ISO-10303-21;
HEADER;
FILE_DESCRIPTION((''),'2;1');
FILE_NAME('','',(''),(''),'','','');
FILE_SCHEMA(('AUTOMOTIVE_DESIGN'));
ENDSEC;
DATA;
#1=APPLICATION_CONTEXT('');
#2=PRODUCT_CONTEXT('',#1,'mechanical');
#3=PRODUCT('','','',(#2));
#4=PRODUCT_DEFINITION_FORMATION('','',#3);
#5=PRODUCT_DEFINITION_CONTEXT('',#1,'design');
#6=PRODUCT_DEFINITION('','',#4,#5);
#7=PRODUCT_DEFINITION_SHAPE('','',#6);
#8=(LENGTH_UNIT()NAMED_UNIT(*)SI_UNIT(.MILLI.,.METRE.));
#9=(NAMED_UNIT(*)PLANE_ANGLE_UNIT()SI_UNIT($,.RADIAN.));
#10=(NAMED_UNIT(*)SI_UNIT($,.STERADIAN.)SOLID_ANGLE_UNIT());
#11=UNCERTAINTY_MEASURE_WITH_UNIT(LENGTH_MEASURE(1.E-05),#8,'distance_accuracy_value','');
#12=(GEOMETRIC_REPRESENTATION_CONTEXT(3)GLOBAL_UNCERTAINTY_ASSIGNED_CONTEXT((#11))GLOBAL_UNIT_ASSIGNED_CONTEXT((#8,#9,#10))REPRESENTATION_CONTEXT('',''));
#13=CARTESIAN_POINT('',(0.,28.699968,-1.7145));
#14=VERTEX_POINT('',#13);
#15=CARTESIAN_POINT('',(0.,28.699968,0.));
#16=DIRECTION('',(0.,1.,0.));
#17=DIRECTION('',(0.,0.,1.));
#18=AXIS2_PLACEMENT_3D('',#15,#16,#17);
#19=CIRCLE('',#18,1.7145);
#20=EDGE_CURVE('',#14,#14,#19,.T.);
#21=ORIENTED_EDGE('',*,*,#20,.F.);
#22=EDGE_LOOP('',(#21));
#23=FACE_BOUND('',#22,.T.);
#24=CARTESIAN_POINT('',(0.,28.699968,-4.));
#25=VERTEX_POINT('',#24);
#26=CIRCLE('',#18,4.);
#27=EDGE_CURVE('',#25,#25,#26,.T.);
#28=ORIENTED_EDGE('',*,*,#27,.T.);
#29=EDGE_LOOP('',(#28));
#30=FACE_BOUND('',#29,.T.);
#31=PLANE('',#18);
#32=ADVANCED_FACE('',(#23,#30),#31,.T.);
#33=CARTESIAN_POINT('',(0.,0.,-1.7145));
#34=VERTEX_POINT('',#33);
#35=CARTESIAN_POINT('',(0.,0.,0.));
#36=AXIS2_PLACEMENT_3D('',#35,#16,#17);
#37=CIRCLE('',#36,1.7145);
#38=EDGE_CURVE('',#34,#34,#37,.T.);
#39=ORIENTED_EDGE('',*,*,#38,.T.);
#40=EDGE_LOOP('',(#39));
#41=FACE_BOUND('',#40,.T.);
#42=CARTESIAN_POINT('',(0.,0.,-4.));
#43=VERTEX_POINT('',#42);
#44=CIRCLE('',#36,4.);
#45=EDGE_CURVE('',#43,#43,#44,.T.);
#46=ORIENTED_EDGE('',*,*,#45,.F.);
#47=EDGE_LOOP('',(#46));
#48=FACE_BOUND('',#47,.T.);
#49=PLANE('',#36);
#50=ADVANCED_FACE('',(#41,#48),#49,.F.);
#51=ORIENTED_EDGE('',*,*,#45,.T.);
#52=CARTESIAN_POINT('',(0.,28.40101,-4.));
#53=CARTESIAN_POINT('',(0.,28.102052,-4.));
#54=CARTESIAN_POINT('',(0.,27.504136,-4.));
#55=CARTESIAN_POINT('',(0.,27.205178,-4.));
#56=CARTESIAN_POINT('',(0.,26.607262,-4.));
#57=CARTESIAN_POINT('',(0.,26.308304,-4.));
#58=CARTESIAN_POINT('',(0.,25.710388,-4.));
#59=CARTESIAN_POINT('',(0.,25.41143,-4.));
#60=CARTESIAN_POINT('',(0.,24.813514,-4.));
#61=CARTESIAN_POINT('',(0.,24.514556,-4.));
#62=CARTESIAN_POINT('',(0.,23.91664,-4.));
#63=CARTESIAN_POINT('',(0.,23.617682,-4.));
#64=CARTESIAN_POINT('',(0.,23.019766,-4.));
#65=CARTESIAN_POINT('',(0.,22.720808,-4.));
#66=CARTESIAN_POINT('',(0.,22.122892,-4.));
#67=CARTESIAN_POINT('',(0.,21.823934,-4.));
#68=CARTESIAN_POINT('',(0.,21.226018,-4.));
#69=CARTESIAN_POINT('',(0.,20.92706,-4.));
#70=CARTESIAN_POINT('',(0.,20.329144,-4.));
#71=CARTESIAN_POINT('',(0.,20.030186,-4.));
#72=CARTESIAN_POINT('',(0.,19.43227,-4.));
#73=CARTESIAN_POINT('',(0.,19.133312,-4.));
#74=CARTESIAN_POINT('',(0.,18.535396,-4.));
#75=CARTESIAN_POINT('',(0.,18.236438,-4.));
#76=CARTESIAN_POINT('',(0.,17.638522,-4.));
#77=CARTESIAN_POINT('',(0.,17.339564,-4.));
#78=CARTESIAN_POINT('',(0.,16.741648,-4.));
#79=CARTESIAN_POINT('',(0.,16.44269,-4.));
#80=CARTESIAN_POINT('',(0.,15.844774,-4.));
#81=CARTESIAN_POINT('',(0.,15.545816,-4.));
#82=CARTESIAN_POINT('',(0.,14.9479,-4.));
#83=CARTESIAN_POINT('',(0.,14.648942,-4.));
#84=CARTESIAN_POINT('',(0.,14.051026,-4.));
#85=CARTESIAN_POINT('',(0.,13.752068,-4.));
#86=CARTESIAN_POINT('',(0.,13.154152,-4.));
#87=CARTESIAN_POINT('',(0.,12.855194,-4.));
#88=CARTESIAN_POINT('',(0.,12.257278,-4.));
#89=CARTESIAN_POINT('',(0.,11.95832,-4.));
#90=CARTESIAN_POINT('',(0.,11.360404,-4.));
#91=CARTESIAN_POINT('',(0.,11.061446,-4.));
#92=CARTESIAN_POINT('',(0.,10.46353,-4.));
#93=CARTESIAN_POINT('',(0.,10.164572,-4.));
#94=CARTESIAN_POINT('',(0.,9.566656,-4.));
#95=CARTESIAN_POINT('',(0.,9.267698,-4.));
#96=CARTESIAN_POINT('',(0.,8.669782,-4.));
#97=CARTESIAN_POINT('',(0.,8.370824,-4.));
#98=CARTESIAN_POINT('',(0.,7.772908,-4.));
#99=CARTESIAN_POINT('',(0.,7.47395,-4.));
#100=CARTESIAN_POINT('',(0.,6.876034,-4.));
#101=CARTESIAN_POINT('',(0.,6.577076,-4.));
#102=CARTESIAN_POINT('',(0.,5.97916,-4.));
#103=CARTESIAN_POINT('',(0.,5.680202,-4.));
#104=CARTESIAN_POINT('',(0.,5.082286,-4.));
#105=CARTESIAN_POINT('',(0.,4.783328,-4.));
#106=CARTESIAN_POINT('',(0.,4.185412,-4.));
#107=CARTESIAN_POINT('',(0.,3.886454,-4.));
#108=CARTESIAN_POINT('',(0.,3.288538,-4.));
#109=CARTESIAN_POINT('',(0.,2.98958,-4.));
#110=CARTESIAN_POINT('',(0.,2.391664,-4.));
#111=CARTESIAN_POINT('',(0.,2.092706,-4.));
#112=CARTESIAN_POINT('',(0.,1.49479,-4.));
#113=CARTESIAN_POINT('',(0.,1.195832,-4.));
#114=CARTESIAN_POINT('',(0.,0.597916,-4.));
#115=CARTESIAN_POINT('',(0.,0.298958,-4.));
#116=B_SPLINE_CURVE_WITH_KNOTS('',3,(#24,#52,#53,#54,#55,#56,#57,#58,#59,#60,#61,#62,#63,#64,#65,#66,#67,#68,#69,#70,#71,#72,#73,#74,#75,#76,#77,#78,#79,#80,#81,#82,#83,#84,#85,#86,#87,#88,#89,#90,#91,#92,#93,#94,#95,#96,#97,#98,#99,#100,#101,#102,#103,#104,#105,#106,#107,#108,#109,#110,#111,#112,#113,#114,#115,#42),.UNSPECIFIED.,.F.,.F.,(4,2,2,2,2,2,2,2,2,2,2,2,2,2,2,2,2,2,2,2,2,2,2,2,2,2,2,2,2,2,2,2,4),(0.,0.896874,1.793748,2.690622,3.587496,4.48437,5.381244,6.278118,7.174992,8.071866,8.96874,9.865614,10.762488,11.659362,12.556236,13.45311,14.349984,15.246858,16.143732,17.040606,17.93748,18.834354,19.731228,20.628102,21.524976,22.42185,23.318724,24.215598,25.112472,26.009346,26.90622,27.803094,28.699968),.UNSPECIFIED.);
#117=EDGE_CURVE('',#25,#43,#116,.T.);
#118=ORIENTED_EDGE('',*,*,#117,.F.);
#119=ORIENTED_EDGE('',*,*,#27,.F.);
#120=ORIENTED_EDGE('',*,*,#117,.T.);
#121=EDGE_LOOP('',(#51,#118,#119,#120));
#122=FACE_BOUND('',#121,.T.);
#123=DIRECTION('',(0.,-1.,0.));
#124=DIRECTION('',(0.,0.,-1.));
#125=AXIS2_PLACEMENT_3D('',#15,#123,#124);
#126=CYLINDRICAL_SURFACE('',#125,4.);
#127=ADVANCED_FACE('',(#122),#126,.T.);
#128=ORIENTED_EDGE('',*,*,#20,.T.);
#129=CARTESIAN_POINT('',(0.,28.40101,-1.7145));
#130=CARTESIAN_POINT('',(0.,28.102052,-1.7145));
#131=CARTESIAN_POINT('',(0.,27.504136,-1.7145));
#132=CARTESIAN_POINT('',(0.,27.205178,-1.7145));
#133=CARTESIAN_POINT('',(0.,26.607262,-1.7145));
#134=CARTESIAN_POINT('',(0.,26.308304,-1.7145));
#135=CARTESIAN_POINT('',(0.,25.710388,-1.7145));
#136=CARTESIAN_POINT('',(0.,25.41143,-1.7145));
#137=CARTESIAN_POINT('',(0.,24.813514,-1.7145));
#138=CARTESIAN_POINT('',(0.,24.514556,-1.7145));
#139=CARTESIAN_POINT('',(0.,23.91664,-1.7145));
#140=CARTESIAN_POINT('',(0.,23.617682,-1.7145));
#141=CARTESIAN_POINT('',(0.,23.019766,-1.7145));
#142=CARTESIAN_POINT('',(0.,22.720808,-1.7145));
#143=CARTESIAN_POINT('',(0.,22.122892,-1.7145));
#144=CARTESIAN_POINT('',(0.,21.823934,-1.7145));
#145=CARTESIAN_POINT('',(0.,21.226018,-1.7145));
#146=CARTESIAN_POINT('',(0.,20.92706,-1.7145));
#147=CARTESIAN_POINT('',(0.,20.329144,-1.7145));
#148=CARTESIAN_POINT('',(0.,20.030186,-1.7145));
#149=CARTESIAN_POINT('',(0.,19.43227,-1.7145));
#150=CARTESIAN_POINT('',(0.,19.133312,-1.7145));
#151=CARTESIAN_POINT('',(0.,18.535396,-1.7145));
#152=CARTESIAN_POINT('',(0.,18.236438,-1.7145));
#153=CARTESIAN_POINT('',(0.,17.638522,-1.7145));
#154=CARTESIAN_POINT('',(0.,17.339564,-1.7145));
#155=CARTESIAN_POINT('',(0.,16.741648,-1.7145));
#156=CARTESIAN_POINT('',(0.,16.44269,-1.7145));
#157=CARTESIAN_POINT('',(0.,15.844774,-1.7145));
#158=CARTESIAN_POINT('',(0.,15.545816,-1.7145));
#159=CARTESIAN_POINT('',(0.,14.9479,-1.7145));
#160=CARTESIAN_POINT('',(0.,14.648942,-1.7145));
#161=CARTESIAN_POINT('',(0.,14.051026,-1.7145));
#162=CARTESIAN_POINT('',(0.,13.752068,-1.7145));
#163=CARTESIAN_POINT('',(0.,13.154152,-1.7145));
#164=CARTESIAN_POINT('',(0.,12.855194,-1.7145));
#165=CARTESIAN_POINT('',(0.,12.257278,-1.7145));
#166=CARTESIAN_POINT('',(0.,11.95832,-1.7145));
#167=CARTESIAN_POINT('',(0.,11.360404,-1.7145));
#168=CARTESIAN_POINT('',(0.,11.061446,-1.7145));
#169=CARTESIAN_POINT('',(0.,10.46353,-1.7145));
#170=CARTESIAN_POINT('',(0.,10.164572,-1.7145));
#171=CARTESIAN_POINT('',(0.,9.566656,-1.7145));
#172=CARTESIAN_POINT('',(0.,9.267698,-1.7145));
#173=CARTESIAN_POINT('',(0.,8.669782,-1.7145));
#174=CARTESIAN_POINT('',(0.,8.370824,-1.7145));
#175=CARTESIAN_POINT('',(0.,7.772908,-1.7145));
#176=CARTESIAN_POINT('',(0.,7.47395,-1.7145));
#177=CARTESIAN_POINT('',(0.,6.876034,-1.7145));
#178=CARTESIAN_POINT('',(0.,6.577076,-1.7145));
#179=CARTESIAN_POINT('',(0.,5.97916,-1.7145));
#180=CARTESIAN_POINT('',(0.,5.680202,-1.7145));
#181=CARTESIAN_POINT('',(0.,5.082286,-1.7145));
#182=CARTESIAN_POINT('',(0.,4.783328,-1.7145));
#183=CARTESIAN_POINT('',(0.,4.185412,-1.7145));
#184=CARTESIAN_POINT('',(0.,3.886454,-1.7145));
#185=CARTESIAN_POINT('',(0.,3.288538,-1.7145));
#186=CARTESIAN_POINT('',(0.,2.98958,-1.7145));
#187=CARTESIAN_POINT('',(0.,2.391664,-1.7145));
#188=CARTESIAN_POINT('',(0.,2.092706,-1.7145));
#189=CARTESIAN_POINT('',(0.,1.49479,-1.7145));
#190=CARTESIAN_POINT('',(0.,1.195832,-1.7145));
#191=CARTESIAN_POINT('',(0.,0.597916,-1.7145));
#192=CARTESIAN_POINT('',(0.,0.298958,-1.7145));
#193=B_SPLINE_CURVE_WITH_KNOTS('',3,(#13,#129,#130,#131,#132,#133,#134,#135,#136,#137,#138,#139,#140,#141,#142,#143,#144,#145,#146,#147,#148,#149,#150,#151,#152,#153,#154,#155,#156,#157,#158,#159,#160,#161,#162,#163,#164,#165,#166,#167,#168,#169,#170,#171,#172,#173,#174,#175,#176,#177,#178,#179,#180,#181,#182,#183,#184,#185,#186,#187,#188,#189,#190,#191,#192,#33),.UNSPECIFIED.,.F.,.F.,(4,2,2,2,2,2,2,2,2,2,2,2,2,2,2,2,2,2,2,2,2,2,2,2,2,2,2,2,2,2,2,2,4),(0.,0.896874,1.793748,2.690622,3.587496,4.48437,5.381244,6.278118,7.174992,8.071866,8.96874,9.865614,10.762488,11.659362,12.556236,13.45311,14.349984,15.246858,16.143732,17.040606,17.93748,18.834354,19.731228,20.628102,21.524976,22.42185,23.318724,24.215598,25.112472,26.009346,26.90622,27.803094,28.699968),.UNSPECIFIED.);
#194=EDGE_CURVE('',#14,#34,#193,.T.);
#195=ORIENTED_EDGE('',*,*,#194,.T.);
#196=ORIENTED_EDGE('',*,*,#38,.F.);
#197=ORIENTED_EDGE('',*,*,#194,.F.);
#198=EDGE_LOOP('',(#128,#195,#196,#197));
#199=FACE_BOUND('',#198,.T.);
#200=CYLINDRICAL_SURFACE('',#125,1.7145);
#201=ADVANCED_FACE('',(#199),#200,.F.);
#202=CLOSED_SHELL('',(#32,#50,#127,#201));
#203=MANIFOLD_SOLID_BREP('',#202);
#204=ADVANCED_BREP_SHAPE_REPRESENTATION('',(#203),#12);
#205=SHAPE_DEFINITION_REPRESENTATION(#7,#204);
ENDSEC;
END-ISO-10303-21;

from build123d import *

# Parameters (mm, degrees)
SKETCH1_R           = 4
SKETCH1_R_2         = 1.7145
BOSS_EXTRUDE1_DEPTH = 28.699968


with BuildPart() as part:
    # Sketch1 → Boss-Extrude1 (new body)
    with BuildSketch(Plane(origin=(0, 0, 0), x_dir=(1, 0, 0), z_dir=(0, 1, 0))):
        with Locations(Location((0, 0, 0), (0, 0, 90))):
            Circle(SKETCH1_R)
        with Locations(Location((0, 0, 0), (0, 0, 90))):
            Circle(SKETCH1_R_2, mode=Mode.SUBTRACT)
    extrude(amount=BOSS_EXTRUDE1_DEPTH)


solid = part.part
